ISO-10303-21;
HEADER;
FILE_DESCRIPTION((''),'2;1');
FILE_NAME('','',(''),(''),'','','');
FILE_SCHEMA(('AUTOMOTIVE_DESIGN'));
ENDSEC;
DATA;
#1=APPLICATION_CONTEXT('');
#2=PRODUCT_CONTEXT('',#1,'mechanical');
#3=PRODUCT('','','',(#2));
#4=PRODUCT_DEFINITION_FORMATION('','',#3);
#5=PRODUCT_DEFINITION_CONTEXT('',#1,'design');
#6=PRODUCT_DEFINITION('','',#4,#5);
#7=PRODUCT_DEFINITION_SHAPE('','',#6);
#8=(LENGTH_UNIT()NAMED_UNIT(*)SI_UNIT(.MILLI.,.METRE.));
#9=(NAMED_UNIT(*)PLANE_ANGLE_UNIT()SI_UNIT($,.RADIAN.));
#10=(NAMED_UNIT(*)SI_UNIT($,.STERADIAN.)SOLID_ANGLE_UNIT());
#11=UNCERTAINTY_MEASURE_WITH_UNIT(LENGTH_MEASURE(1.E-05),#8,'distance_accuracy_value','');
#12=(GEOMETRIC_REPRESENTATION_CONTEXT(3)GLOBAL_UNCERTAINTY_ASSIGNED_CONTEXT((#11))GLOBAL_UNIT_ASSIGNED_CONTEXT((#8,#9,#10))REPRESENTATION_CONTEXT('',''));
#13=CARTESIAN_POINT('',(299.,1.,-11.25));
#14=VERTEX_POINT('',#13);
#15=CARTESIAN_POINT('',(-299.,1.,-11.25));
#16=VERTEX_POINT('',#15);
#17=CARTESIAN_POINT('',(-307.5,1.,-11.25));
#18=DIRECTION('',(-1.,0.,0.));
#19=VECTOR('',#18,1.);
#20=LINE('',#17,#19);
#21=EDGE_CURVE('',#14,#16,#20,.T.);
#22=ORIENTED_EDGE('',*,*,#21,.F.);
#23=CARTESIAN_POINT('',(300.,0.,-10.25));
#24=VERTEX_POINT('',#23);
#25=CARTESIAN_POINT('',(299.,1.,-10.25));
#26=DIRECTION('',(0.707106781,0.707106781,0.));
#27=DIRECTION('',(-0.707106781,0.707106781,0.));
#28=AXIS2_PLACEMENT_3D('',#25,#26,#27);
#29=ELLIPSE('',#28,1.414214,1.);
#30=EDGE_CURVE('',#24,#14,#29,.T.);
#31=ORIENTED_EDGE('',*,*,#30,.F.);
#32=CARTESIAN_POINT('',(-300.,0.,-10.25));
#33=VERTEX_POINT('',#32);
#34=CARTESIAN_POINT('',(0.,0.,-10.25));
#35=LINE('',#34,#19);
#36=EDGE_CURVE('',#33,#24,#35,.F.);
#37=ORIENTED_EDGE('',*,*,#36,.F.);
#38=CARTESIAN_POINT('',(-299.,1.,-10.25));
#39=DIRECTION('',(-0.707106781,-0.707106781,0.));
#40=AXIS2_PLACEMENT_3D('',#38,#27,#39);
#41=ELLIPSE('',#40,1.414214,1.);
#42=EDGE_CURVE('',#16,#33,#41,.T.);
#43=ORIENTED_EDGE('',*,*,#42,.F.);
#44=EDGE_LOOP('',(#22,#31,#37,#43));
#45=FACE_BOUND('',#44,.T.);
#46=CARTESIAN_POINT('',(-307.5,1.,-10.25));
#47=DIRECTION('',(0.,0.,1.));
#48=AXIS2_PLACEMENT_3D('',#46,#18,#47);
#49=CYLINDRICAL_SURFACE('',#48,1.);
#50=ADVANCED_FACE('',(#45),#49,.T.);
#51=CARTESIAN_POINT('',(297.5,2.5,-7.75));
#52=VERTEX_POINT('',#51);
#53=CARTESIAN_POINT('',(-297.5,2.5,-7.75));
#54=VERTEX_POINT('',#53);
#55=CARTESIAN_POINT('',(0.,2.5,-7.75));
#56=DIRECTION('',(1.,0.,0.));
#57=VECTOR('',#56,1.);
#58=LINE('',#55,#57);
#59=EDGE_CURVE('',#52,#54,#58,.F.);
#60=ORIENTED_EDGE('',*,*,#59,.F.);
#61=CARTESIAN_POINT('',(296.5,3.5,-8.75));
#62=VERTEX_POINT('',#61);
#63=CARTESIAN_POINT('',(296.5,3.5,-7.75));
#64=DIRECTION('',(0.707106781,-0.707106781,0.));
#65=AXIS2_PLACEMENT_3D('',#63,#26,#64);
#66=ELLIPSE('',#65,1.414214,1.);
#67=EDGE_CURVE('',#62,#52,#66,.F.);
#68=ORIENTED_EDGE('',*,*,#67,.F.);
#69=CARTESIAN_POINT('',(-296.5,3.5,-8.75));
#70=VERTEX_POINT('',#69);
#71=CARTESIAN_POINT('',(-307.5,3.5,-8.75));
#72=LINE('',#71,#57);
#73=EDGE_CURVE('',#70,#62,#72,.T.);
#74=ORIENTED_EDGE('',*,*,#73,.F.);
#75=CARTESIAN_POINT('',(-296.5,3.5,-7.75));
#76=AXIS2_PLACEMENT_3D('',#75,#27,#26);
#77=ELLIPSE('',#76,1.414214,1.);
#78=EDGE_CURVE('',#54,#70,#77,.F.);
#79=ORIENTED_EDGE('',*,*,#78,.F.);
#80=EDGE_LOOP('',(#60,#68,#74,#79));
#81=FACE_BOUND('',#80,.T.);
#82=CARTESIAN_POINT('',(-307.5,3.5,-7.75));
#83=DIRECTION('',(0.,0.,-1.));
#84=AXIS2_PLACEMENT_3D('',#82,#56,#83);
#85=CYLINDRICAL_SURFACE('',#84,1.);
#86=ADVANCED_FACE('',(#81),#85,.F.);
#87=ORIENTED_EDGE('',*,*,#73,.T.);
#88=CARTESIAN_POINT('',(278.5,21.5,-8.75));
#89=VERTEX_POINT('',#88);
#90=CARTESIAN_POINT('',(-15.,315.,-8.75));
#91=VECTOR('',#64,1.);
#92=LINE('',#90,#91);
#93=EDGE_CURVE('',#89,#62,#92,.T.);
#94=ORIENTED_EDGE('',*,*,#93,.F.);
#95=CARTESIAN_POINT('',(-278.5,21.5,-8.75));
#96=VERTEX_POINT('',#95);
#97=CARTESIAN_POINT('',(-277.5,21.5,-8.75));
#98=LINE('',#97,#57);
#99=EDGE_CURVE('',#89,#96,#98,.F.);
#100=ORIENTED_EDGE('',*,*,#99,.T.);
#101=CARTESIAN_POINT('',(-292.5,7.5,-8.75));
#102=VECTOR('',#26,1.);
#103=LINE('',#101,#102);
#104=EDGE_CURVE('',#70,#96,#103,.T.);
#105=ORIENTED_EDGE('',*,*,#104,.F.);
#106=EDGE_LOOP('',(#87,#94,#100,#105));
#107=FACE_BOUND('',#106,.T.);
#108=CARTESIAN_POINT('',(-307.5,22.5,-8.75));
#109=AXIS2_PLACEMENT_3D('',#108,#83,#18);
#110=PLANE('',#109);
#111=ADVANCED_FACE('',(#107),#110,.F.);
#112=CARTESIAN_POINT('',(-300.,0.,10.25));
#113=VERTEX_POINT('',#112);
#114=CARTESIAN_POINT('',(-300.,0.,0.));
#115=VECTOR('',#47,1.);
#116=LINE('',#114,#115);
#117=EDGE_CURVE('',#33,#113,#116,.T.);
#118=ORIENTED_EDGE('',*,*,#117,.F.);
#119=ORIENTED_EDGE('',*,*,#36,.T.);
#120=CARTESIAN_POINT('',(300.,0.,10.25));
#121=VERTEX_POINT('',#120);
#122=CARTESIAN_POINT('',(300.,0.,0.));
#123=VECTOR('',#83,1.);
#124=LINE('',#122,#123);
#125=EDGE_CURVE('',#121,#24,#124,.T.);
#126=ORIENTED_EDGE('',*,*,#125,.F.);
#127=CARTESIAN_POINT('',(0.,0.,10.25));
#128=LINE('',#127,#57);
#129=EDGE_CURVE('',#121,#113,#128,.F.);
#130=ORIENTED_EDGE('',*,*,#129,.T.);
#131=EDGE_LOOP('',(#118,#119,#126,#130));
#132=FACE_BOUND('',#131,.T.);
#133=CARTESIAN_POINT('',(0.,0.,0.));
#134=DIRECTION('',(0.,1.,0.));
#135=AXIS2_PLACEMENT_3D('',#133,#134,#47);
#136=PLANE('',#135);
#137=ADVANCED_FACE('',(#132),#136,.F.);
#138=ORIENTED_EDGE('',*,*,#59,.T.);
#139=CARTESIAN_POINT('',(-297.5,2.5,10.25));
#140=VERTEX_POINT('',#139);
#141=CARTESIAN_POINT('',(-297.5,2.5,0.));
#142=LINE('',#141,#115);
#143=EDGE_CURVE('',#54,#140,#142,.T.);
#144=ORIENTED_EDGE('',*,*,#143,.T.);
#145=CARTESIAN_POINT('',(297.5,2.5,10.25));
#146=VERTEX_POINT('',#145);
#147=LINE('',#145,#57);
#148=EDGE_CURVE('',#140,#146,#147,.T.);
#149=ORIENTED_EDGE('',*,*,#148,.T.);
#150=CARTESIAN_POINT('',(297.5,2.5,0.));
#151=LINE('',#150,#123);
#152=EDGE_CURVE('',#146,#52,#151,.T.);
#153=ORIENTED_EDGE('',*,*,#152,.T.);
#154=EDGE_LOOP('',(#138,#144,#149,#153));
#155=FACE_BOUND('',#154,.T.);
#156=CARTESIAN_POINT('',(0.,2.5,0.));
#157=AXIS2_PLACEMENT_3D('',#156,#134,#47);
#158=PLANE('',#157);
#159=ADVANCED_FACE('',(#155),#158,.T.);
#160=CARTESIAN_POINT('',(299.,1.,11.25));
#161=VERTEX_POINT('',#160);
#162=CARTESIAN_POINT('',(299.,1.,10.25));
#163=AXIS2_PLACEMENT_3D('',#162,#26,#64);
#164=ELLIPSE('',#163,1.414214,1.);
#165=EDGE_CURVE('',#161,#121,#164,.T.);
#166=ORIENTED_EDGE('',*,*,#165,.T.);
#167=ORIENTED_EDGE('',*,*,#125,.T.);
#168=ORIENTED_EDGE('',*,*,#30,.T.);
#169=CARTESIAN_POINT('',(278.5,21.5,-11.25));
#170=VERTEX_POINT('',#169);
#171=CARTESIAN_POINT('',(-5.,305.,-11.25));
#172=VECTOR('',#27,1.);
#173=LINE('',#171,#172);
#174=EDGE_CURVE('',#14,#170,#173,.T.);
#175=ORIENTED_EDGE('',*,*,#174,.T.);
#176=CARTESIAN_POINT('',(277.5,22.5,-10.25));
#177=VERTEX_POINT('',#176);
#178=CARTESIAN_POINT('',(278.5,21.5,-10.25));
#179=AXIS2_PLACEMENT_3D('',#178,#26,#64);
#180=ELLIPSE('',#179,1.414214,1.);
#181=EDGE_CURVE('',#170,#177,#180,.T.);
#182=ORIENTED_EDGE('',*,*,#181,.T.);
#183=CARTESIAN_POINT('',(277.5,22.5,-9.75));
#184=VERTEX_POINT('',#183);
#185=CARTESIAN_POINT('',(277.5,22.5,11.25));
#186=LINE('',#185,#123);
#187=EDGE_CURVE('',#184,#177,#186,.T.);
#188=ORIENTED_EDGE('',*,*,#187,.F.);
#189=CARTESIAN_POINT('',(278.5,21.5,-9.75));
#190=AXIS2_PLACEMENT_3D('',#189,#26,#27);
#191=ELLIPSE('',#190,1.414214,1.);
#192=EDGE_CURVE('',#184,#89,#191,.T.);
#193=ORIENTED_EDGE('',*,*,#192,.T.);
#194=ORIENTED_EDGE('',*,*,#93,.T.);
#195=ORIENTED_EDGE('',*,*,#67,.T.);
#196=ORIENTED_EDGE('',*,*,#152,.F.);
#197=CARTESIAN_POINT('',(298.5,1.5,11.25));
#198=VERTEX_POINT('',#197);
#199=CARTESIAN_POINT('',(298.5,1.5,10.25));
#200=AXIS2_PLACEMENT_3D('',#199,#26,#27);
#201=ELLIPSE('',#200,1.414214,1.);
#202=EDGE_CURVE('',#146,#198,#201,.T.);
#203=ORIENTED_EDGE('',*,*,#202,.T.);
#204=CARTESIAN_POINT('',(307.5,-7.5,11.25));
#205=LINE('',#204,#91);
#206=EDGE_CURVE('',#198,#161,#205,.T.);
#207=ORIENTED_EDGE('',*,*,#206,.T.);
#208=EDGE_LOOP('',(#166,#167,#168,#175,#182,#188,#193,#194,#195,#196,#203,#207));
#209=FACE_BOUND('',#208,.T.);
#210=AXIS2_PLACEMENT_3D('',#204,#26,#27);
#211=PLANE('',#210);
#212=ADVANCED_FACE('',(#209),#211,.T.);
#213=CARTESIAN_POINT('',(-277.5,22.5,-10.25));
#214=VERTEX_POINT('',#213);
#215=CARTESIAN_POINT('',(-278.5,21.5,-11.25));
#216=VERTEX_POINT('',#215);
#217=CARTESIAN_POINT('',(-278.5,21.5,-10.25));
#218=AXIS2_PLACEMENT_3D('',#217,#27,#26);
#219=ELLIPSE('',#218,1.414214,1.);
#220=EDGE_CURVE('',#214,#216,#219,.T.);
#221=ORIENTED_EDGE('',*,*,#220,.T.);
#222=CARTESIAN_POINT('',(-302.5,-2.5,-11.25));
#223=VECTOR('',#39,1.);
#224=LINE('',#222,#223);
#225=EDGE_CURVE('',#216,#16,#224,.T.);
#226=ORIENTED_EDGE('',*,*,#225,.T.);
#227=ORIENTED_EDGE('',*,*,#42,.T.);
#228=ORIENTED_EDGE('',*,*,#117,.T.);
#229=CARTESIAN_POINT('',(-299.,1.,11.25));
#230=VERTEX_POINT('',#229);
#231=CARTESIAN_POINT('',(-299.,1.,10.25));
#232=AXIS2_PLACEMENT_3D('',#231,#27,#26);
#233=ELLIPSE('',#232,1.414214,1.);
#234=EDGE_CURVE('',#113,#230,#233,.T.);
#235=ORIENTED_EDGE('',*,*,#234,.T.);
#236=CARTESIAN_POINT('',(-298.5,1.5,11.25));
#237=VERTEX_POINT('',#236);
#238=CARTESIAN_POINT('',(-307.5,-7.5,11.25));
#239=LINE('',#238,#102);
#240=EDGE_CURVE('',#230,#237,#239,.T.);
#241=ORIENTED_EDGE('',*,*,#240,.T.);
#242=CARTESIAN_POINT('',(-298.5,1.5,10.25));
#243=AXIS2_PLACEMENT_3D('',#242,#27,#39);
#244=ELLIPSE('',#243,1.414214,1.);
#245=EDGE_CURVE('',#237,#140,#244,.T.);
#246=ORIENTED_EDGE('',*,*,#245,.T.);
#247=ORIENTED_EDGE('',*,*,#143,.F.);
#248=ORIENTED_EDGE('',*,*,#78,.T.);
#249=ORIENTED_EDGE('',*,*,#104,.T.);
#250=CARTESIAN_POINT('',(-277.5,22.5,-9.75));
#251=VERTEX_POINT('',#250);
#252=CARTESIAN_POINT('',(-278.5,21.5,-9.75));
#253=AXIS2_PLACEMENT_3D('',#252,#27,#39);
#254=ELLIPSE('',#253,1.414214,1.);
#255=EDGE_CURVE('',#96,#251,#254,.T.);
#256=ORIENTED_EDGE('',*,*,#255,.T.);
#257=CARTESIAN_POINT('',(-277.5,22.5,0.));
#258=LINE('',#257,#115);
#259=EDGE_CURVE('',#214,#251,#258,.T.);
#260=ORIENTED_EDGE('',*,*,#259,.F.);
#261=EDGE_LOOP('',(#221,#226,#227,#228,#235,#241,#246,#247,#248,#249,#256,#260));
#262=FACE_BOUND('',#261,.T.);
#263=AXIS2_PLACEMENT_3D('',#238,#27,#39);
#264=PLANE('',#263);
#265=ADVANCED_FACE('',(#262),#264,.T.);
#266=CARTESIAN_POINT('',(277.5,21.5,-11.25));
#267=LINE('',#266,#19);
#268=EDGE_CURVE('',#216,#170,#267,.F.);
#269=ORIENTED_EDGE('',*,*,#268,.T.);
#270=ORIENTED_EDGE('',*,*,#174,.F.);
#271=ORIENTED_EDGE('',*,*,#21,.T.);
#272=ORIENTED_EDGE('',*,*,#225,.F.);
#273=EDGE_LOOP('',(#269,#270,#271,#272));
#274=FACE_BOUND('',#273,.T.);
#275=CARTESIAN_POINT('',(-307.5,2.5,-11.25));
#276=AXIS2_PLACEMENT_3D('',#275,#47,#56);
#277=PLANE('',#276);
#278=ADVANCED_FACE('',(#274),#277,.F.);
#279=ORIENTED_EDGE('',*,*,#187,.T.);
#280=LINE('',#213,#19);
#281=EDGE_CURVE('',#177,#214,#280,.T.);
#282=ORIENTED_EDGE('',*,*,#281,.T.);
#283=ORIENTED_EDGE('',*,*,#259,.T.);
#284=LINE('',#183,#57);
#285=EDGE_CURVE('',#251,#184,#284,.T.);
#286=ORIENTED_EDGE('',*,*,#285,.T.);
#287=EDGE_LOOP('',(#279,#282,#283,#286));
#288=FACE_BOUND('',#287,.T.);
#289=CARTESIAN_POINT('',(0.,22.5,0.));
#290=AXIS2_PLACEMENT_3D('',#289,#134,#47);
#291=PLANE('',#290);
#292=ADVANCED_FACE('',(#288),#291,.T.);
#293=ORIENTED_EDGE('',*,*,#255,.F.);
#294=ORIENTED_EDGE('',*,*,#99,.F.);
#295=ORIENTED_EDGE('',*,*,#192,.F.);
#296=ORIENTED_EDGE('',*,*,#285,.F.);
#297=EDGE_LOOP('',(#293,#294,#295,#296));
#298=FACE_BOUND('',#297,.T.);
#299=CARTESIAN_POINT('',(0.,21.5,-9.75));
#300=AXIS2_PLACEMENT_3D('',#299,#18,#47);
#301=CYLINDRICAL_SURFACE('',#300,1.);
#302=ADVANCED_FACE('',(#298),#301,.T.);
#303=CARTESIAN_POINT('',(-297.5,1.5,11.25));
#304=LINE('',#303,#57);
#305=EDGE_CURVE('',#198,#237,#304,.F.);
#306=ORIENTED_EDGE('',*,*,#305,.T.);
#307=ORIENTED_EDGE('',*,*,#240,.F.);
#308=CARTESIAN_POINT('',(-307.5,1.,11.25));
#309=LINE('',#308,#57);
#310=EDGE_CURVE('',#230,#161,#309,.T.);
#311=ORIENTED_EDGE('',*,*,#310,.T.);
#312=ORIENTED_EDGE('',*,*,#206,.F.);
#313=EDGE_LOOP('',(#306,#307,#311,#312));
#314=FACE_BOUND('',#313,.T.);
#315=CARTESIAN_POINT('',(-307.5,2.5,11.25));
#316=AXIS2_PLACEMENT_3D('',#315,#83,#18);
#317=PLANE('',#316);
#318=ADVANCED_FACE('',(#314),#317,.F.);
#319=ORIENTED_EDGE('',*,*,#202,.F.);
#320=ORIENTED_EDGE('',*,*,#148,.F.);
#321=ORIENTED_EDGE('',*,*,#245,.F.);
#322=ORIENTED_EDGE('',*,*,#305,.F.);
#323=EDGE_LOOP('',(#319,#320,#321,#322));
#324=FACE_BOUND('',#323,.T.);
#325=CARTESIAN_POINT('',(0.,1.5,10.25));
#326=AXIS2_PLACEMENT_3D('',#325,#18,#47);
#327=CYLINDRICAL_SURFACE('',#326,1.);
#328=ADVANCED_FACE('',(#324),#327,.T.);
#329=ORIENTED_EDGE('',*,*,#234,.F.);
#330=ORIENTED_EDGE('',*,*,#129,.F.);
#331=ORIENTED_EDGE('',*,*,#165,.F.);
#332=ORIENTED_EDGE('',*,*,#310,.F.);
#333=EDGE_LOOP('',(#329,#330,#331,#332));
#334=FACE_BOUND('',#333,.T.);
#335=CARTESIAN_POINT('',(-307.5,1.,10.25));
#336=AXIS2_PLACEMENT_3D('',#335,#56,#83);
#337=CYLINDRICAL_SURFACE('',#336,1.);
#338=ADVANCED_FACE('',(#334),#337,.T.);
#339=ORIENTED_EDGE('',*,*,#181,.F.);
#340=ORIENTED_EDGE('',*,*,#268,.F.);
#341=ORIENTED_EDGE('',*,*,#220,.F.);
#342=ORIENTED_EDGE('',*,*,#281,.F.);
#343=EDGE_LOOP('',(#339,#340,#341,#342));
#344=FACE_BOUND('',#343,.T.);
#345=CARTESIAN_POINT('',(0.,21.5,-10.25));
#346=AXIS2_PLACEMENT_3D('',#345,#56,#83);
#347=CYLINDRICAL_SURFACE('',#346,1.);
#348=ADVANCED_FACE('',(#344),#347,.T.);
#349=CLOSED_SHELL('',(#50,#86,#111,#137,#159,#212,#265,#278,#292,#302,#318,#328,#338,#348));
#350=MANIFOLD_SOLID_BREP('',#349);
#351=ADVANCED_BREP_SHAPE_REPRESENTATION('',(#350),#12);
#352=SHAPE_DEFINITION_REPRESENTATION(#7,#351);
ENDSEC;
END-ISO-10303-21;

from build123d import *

# Parameters (mm, degrees)
SKETCH1_W               = 615
SKETCH1_H               = 22.5
BOSS_EXTRUDE1_DEPTH     = 2.5
SKETCH2_W               = 615
SKETCH2_H               = 2.5
BOSS_EXTRUDE2_DEPTH     = 20
CUT_EXTRUDE1_DEPTH      = 309.970063275
CUT_EXTRUDE1_DEPTH_BACK = 25
FILLET2_R               = 1


with BuildPart() as part:
    # Sketch1 → Boss-Extrude1 (new body)
    with BuildSketch(Plane(origin=(0, 0, 0), x_dir=(1, 0, 0), z_dir=(0, 1, 0))):
        Rectangle(SKETCH1_W, SKETCH1_H)
    extrude(amount=BOSS_EXTRUDE1_DEPTH)

    # Sketch2 → Boss-Extrude2 (add)
    with BuildSketch(Plane(origin=(0, 2.5, 0), x_dir=(1, 0, 0), z_dir=(0, 1, 0))):
        with Locations((0, 10)):
            Rectangle(SKETCH2_W, SKETCH2_H)
    extrude(amount=BOSS_EXTRUDE2_DEPTH)

    # Sketch3 → Cut-Extrude1 (cut, two sides: drawn at the far end of the back side and taken through both)
    with BuildSketch(Plane.XY.offset(-8.75).offset(-CUT_EXTRUDE1_DEPTH_BACK)):
        Polygon((-307.5, 22.5), (-307.5, -7.5), (-277.5, 22.5), align=None)
        Polygon((307.5, 22.5), (307.5, -7.5), (277.5, 22.5), align=None)
    extrude(amount=CUT_EXTRUDE1_DEPTH + CUT_EXTRUDE1_DEPTH_BACK, mode=Mode.SUBTRACT)

    # Fillet2
    fillet2_edges = [part.edges().sort_by_distance(p)[0] for p in [
        (0, 22.5, -8.75),
        (0, 2.5, -8.75),
        (0, 0, 11.25),
        (0, 2.5, 11.25),
        (0, 22.5, -11.25),
        (0, 0, -11.25),
    ]]
    fillet(fillet2_edges, radius=FILLET2_R)


solid = part.part
